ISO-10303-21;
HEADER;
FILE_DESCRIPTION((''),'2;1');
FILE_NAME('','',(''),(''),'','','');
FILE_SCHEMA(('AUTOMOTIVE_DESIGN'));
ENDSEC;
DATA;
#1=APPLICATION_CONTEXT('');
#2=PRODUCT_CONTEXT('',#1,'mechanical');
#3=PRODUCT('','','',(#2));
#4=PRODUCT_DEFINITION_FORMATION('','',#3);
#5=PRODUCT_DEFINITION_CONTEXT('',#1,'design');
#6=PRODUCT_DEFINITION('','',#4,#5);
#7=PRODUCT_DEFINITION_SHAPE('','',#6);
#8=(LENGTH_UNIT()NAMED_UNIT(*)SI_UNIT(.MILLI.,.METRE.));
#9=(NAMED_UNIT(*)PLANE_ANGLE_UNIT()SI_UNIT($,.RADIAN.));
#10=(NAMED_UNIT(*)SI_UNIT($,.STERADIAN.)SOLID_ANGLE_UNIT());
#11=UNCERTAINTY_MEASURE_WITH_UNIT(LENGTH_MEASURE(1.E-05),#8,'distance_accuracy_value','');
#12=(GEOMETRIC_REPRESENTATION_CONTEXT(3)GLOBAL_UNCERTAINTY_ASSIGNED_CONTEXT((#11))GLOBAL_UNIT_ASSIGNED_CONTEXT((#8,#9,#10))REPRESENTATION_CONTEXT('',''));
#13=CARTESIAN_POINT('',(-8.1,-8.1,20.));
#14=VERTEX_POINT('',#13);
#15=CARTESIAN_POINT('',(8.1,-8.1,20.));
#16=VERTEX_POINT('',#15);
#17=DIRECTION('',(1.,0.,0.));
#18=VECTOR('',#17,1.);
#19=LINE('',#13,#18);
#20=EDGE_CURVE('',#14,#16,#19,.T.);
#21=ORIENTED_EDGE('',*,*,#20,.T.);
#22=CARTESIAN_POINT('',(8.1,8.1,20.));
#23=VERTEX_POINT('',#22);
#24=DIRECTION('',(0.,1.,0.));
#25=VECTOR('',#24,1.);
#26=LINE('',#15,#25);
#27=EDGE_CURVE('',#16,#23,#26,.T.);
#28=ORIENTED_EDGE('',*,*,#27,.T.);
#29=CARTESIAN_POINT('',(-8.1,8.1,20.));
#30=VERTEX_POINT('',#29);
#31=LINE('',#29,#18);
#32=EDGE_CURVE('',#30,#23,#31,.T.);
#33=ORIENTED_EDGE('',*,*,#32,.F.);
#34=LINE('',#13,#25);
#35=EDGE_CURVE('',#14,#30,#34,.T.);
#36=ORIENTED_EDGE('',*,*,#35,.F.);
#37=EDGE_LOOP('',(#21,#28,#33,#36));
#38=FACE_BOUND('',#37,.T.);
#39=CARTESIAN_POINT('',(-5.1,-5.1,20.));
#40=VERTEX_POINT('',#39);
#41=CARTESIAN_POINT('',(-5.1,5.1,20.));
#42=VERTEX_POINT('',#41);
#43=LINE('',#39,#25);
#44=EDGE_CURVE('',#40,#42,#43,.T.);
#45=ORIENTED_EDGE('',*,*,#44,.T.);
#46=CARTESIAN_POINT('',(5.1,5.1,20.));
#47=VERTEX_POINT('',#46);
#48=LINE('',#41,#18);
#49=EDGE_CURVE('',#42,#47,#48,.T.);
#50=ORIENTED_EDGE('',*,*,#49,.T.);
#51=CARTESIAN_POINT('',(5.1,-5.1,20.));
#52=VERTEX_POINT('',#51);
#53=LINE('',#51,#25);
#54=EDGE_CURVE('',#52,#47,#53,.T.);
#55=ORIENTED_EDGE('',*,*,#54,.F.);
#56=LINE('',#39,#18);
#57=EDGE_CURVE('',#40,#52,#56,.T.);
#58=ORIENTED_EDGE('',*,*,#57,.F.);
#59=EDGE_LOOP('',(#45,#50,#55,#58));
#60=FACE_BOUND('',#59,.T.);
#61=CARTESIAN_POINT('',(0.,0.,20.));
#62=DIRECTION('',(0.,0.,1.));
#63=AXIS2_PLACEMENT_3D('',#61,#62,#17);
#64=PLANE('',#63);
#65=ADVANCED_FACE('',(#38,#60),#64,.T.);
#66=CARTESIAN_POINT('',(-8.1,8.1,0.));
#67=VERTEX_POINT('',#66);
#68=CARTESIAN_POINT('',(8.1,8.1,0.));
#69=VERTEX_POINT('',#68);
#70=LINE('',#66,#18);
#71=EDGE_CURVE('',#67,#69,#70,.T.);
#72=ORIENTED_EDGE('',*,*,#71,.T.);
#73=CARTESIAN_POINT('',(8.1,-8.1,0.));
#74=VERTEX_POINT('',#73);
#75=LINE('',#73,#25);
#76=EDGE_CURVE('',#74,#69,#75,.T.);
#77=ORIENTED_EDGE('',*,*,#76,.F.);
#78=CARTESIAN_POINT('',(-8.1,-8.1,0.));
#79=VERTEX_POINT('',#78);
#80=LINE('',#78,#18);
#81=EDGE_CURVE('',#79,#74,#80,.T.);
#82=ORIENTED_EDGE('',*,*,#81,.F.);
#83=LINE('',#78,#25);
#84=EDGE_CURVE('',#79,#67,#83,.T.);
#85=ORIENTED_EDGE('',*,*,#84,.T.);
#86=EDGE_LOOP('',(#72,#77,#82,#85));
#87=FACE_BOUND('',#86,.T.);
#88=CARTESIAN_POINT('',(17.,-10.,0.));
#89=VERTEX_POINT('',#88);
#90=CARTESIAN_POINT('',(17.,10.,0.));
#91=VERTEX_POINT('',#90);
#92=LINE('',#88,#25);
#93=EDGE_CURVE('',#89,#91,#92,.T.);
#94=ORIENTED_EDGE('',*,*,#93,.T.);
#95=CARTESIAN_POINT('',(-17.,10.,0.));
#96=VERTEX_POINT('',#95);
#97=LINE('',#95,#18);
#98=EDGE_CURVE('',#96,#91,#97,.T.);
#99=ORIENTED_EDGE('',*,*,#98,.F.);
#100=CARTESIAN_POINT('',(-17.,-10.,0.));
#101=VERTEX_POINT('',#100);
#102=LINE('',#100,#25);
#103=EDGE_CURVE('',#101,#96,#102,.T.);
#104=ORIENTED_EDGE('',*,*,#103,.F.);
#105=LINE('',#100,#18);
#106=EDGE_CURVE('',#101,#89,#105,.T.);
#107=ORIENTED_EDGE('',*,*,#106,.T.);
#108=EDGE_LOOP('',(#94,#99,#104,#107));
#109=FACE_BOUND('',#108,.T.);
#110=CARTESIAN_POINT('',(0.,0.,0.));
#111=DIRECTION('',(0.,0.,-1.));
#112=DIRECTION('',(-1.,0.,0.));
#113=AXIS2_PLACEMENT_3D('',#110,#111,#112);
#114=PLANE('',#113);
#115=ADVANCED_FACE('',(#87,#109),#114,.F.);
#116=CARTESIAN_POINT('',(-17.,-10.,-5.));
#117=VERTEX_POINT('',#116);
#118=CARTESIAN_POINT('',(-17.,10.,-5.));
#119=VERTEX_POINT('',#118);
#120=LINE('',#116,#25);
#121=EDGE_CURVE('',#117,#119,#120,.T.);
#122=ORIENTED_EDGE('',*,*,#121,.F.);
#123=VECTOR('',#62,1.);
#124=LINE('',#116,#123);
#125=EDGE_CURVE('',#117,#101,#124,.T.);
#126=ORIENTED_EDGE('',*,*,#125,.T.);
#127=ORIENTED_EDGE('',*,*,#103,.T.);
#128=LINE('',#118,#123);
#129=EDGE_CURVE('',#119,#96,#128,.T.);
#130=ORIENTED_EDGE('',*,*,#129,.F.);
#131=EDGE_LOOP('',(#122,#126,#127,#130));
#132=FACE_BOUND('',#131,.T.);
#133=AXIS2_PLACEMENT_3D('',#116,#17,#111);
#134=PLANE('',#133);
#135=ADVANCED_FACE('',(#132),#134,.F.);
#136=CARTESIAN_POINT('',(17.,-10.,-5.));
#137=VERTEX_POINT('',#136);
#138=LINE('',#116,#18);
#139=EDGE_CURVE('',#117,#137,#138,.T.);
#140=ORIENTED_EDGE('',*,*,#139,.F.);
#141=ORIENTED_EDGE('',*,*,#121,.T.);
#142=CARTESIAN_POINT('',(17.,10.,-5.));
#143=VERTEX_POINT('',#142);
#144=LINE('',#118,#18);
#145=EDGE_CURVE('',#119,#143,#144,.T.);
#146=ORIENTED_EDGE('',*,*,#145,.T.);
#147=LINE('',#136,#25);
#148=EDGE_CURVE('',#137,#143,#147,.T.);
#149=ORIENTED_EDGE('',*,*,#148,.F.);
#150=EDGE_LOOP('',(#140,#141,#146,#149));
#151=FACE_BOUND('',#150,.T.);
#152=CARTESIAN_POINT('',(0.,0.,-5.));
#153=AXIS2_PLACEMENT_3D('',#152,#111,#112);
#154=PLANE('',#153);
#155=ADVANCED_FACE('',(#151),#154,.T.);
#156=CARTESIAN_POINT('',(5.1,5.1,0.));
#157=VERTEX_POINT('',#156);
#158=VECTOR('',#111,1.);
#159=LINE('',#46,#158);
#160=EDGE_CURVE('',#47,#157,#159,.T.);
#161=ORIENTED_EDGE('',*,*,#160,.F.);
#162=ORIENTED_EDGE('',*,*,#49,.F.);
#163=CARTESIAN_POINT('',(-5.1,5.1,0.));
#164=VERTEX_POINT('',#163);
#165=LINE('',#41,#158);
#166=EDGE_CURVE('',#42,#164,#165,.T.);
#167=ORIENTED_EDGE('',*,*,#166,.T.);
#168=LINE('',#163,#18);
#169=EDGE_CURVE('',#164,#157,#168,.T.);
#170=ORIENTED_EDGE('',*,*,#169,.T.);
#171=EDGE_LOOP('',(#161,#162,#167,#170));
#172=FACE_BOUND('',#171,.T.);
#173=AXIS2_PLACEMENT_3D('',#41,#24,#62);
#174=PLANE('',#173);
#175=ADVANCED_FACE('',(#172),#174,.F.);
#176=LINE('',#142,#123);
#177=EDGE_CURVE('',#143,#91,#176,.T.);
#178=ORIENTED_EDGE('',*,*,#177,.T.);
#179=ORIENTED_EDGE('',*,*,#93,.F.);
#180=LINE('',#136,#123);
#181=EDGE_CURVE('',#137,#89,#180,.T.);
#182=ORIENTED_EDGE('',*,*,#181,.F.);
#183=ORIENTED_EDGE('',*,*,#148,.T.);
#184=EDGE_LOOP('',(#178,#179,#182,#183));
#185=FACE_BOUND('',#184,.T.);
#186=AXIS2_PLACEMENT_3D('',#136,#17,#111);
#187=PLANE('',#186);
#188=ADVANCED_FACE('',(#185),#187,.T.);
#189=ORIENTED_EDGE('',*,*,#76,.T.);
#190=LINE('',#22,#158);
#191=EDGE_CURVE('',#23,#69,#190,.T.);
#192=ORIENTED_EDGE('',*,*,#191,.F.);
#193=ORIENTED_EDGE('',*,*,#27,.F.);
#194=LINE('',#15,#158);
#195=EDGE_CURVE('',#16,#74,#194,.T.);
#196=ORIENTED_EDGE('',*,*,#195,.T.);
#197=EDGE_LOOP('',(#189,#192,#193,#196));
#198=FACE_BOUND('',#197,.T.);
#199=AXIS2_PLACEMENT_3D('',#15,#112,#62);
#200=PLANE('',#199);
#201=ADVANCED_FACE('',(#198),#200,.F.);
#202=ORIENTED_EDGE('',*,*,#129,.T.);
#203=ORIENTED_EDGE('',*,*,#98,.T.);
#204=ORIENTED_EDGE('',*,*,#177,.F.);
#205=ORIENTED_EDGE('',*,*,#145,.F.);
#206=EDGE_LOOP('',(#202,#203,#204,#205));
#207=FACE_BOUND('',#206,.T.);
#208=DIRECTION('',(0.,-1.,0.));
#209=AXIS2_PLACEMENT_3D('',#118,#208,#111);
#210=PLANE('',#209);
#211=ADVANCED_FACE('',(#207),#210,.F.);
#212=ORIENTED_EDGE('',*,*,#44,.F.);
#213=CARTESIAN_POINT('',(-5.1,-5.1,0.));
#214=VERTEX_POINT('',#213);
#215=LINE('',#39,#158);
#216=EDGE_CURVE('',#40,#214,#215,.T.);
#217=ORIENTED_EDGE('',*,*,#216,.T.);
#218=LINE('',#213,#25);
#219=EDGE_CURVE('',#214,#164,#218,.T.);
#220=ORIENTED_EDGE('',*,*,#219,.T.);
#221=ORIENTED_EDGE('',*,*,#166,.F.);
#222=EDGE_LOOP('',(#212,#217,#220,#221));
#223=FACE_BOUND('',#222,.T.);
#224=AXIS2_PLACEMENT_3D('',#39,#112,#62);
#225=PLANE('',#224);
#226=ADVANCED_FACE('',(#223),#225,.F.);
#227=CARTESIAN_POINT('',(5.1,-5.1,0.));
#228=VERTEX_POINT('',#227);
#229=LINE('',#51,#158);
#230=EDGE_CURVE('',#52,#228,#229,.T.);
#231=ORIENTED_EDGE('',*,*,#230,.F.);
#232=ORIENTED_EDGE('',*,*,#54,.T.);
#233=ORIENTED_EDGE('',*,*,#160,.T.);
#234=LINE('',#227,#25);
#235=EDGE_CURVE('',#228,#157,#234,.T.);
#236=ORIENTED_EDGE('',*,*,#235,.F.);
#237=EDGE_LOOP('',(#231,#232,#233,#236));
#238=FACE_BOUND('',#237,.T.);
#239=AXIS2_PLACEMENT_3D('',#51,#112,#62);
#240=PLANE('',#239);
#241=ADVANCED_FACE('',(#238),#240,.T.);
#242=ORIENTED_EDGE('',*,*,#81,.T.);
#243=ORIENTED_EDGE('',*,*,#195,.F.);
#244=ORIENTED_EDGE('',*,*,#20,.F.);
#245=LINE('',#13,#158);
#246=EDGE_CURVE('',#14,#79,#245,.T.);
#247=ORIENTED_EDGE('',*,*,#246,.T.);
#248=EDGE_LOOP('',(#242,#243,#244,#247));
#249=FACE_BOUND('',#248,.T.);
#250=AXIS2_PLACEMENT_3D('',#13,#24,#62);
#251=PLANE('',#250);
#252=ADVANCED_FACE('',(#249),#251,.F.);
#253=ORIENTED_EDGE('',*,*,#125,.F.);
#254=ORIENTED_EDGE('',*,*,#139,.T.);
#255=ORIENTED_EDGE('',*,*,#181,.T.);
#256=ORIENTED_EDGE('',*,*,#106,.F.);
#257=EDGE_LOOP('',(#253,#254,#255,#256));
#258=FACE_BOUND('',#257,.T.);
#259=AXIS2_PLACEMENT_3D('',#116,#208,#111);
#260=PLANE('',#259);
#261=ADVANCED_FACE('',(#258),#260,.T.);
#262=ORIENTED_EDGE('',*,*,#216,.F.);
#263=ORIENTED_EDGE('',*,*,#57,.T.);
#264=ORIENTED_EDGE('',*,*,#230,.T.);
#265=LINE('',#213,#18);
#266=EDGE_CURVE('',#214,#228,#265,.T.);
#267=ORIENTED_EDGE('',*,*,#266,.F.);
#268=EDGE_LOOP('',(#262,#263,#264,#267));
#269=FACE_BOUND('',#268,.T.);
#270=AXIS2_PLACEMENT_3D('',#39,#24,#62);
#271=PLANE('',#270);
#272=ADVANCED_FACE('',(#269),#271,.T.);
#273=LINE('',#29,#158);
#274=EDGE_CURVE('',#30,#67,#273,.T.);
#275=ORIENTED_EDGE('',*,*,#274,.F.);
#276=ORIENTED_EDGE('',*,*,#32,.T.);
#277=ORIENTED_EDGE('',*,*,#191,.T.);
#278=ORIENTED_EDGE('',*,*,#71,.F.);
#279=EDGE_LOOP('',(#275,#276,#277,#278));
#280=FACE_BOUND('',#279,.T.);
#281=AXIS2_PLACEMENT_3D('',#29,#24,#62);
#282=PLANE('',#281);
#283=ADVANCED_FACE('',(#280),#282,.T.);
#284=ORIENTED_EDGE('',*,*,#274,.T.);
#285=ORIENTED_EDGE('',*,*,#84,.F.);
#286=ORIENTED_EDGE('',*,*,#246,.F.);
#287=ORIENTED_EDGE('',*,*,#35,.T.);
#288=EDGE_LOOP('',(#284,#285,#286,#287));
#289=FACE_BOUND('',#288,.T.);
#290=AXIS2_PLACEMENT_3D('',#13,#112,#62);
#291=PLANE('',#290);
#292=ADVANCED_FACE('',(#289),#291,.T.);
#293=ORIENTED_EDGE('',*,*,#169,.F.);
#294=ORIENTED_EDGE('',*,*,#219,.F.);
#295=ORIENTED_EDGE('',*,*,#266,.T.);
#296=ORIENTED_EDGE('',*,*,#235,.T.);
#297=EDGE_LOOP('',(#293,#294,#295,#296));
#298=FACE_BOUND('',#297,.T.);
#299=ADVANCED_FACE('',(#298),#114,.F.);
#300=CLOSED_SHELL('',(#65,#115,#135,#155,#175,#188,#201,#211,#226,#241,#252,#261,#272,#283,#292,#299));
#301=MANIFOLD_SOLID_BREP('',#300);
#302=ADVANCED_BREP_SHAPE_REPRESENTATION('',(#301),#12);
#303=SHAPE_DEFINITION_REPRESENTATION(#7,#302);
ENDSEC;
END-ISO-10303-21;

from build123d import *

# Parameters (mm, degrees)
SKETCH_1_W      = 16.2
SKETCH_1_H      = 16.2
SKETCH_1_W_2    = 10.2
SKETCH_1_H_2    = 10.2
EXTRUDE_1_DEPTH = 20
SKETCH_1_6_W    = 34
SKETCH_1_6_H    = 20
EXTRUDE_2_DEPTH = 5


with BuildPart() as part:
    # 草图1 → 凸台-拉伸1 (new body)
    with BuildSketch(Plane.XY):
        Rectangle(SKETCH_1_W, SKETCH_1_H)
        Rectangle(SKETCH_1_W_2, SKETCH_1_H_2, mode=Mode.SUBTRACT)
    extrude(amount=EXTRUDE_1_DEPTH)

    # 草图1<6> → 凸台-拉伸2 (add)
    with BuildSketch(Plane.XY):
        Rectangle(SKETCH_1_6_W, SKETCH_1_6_H)
    extrude(amount=-EXTRUDE_2_DEPTH)


solid = part.part
